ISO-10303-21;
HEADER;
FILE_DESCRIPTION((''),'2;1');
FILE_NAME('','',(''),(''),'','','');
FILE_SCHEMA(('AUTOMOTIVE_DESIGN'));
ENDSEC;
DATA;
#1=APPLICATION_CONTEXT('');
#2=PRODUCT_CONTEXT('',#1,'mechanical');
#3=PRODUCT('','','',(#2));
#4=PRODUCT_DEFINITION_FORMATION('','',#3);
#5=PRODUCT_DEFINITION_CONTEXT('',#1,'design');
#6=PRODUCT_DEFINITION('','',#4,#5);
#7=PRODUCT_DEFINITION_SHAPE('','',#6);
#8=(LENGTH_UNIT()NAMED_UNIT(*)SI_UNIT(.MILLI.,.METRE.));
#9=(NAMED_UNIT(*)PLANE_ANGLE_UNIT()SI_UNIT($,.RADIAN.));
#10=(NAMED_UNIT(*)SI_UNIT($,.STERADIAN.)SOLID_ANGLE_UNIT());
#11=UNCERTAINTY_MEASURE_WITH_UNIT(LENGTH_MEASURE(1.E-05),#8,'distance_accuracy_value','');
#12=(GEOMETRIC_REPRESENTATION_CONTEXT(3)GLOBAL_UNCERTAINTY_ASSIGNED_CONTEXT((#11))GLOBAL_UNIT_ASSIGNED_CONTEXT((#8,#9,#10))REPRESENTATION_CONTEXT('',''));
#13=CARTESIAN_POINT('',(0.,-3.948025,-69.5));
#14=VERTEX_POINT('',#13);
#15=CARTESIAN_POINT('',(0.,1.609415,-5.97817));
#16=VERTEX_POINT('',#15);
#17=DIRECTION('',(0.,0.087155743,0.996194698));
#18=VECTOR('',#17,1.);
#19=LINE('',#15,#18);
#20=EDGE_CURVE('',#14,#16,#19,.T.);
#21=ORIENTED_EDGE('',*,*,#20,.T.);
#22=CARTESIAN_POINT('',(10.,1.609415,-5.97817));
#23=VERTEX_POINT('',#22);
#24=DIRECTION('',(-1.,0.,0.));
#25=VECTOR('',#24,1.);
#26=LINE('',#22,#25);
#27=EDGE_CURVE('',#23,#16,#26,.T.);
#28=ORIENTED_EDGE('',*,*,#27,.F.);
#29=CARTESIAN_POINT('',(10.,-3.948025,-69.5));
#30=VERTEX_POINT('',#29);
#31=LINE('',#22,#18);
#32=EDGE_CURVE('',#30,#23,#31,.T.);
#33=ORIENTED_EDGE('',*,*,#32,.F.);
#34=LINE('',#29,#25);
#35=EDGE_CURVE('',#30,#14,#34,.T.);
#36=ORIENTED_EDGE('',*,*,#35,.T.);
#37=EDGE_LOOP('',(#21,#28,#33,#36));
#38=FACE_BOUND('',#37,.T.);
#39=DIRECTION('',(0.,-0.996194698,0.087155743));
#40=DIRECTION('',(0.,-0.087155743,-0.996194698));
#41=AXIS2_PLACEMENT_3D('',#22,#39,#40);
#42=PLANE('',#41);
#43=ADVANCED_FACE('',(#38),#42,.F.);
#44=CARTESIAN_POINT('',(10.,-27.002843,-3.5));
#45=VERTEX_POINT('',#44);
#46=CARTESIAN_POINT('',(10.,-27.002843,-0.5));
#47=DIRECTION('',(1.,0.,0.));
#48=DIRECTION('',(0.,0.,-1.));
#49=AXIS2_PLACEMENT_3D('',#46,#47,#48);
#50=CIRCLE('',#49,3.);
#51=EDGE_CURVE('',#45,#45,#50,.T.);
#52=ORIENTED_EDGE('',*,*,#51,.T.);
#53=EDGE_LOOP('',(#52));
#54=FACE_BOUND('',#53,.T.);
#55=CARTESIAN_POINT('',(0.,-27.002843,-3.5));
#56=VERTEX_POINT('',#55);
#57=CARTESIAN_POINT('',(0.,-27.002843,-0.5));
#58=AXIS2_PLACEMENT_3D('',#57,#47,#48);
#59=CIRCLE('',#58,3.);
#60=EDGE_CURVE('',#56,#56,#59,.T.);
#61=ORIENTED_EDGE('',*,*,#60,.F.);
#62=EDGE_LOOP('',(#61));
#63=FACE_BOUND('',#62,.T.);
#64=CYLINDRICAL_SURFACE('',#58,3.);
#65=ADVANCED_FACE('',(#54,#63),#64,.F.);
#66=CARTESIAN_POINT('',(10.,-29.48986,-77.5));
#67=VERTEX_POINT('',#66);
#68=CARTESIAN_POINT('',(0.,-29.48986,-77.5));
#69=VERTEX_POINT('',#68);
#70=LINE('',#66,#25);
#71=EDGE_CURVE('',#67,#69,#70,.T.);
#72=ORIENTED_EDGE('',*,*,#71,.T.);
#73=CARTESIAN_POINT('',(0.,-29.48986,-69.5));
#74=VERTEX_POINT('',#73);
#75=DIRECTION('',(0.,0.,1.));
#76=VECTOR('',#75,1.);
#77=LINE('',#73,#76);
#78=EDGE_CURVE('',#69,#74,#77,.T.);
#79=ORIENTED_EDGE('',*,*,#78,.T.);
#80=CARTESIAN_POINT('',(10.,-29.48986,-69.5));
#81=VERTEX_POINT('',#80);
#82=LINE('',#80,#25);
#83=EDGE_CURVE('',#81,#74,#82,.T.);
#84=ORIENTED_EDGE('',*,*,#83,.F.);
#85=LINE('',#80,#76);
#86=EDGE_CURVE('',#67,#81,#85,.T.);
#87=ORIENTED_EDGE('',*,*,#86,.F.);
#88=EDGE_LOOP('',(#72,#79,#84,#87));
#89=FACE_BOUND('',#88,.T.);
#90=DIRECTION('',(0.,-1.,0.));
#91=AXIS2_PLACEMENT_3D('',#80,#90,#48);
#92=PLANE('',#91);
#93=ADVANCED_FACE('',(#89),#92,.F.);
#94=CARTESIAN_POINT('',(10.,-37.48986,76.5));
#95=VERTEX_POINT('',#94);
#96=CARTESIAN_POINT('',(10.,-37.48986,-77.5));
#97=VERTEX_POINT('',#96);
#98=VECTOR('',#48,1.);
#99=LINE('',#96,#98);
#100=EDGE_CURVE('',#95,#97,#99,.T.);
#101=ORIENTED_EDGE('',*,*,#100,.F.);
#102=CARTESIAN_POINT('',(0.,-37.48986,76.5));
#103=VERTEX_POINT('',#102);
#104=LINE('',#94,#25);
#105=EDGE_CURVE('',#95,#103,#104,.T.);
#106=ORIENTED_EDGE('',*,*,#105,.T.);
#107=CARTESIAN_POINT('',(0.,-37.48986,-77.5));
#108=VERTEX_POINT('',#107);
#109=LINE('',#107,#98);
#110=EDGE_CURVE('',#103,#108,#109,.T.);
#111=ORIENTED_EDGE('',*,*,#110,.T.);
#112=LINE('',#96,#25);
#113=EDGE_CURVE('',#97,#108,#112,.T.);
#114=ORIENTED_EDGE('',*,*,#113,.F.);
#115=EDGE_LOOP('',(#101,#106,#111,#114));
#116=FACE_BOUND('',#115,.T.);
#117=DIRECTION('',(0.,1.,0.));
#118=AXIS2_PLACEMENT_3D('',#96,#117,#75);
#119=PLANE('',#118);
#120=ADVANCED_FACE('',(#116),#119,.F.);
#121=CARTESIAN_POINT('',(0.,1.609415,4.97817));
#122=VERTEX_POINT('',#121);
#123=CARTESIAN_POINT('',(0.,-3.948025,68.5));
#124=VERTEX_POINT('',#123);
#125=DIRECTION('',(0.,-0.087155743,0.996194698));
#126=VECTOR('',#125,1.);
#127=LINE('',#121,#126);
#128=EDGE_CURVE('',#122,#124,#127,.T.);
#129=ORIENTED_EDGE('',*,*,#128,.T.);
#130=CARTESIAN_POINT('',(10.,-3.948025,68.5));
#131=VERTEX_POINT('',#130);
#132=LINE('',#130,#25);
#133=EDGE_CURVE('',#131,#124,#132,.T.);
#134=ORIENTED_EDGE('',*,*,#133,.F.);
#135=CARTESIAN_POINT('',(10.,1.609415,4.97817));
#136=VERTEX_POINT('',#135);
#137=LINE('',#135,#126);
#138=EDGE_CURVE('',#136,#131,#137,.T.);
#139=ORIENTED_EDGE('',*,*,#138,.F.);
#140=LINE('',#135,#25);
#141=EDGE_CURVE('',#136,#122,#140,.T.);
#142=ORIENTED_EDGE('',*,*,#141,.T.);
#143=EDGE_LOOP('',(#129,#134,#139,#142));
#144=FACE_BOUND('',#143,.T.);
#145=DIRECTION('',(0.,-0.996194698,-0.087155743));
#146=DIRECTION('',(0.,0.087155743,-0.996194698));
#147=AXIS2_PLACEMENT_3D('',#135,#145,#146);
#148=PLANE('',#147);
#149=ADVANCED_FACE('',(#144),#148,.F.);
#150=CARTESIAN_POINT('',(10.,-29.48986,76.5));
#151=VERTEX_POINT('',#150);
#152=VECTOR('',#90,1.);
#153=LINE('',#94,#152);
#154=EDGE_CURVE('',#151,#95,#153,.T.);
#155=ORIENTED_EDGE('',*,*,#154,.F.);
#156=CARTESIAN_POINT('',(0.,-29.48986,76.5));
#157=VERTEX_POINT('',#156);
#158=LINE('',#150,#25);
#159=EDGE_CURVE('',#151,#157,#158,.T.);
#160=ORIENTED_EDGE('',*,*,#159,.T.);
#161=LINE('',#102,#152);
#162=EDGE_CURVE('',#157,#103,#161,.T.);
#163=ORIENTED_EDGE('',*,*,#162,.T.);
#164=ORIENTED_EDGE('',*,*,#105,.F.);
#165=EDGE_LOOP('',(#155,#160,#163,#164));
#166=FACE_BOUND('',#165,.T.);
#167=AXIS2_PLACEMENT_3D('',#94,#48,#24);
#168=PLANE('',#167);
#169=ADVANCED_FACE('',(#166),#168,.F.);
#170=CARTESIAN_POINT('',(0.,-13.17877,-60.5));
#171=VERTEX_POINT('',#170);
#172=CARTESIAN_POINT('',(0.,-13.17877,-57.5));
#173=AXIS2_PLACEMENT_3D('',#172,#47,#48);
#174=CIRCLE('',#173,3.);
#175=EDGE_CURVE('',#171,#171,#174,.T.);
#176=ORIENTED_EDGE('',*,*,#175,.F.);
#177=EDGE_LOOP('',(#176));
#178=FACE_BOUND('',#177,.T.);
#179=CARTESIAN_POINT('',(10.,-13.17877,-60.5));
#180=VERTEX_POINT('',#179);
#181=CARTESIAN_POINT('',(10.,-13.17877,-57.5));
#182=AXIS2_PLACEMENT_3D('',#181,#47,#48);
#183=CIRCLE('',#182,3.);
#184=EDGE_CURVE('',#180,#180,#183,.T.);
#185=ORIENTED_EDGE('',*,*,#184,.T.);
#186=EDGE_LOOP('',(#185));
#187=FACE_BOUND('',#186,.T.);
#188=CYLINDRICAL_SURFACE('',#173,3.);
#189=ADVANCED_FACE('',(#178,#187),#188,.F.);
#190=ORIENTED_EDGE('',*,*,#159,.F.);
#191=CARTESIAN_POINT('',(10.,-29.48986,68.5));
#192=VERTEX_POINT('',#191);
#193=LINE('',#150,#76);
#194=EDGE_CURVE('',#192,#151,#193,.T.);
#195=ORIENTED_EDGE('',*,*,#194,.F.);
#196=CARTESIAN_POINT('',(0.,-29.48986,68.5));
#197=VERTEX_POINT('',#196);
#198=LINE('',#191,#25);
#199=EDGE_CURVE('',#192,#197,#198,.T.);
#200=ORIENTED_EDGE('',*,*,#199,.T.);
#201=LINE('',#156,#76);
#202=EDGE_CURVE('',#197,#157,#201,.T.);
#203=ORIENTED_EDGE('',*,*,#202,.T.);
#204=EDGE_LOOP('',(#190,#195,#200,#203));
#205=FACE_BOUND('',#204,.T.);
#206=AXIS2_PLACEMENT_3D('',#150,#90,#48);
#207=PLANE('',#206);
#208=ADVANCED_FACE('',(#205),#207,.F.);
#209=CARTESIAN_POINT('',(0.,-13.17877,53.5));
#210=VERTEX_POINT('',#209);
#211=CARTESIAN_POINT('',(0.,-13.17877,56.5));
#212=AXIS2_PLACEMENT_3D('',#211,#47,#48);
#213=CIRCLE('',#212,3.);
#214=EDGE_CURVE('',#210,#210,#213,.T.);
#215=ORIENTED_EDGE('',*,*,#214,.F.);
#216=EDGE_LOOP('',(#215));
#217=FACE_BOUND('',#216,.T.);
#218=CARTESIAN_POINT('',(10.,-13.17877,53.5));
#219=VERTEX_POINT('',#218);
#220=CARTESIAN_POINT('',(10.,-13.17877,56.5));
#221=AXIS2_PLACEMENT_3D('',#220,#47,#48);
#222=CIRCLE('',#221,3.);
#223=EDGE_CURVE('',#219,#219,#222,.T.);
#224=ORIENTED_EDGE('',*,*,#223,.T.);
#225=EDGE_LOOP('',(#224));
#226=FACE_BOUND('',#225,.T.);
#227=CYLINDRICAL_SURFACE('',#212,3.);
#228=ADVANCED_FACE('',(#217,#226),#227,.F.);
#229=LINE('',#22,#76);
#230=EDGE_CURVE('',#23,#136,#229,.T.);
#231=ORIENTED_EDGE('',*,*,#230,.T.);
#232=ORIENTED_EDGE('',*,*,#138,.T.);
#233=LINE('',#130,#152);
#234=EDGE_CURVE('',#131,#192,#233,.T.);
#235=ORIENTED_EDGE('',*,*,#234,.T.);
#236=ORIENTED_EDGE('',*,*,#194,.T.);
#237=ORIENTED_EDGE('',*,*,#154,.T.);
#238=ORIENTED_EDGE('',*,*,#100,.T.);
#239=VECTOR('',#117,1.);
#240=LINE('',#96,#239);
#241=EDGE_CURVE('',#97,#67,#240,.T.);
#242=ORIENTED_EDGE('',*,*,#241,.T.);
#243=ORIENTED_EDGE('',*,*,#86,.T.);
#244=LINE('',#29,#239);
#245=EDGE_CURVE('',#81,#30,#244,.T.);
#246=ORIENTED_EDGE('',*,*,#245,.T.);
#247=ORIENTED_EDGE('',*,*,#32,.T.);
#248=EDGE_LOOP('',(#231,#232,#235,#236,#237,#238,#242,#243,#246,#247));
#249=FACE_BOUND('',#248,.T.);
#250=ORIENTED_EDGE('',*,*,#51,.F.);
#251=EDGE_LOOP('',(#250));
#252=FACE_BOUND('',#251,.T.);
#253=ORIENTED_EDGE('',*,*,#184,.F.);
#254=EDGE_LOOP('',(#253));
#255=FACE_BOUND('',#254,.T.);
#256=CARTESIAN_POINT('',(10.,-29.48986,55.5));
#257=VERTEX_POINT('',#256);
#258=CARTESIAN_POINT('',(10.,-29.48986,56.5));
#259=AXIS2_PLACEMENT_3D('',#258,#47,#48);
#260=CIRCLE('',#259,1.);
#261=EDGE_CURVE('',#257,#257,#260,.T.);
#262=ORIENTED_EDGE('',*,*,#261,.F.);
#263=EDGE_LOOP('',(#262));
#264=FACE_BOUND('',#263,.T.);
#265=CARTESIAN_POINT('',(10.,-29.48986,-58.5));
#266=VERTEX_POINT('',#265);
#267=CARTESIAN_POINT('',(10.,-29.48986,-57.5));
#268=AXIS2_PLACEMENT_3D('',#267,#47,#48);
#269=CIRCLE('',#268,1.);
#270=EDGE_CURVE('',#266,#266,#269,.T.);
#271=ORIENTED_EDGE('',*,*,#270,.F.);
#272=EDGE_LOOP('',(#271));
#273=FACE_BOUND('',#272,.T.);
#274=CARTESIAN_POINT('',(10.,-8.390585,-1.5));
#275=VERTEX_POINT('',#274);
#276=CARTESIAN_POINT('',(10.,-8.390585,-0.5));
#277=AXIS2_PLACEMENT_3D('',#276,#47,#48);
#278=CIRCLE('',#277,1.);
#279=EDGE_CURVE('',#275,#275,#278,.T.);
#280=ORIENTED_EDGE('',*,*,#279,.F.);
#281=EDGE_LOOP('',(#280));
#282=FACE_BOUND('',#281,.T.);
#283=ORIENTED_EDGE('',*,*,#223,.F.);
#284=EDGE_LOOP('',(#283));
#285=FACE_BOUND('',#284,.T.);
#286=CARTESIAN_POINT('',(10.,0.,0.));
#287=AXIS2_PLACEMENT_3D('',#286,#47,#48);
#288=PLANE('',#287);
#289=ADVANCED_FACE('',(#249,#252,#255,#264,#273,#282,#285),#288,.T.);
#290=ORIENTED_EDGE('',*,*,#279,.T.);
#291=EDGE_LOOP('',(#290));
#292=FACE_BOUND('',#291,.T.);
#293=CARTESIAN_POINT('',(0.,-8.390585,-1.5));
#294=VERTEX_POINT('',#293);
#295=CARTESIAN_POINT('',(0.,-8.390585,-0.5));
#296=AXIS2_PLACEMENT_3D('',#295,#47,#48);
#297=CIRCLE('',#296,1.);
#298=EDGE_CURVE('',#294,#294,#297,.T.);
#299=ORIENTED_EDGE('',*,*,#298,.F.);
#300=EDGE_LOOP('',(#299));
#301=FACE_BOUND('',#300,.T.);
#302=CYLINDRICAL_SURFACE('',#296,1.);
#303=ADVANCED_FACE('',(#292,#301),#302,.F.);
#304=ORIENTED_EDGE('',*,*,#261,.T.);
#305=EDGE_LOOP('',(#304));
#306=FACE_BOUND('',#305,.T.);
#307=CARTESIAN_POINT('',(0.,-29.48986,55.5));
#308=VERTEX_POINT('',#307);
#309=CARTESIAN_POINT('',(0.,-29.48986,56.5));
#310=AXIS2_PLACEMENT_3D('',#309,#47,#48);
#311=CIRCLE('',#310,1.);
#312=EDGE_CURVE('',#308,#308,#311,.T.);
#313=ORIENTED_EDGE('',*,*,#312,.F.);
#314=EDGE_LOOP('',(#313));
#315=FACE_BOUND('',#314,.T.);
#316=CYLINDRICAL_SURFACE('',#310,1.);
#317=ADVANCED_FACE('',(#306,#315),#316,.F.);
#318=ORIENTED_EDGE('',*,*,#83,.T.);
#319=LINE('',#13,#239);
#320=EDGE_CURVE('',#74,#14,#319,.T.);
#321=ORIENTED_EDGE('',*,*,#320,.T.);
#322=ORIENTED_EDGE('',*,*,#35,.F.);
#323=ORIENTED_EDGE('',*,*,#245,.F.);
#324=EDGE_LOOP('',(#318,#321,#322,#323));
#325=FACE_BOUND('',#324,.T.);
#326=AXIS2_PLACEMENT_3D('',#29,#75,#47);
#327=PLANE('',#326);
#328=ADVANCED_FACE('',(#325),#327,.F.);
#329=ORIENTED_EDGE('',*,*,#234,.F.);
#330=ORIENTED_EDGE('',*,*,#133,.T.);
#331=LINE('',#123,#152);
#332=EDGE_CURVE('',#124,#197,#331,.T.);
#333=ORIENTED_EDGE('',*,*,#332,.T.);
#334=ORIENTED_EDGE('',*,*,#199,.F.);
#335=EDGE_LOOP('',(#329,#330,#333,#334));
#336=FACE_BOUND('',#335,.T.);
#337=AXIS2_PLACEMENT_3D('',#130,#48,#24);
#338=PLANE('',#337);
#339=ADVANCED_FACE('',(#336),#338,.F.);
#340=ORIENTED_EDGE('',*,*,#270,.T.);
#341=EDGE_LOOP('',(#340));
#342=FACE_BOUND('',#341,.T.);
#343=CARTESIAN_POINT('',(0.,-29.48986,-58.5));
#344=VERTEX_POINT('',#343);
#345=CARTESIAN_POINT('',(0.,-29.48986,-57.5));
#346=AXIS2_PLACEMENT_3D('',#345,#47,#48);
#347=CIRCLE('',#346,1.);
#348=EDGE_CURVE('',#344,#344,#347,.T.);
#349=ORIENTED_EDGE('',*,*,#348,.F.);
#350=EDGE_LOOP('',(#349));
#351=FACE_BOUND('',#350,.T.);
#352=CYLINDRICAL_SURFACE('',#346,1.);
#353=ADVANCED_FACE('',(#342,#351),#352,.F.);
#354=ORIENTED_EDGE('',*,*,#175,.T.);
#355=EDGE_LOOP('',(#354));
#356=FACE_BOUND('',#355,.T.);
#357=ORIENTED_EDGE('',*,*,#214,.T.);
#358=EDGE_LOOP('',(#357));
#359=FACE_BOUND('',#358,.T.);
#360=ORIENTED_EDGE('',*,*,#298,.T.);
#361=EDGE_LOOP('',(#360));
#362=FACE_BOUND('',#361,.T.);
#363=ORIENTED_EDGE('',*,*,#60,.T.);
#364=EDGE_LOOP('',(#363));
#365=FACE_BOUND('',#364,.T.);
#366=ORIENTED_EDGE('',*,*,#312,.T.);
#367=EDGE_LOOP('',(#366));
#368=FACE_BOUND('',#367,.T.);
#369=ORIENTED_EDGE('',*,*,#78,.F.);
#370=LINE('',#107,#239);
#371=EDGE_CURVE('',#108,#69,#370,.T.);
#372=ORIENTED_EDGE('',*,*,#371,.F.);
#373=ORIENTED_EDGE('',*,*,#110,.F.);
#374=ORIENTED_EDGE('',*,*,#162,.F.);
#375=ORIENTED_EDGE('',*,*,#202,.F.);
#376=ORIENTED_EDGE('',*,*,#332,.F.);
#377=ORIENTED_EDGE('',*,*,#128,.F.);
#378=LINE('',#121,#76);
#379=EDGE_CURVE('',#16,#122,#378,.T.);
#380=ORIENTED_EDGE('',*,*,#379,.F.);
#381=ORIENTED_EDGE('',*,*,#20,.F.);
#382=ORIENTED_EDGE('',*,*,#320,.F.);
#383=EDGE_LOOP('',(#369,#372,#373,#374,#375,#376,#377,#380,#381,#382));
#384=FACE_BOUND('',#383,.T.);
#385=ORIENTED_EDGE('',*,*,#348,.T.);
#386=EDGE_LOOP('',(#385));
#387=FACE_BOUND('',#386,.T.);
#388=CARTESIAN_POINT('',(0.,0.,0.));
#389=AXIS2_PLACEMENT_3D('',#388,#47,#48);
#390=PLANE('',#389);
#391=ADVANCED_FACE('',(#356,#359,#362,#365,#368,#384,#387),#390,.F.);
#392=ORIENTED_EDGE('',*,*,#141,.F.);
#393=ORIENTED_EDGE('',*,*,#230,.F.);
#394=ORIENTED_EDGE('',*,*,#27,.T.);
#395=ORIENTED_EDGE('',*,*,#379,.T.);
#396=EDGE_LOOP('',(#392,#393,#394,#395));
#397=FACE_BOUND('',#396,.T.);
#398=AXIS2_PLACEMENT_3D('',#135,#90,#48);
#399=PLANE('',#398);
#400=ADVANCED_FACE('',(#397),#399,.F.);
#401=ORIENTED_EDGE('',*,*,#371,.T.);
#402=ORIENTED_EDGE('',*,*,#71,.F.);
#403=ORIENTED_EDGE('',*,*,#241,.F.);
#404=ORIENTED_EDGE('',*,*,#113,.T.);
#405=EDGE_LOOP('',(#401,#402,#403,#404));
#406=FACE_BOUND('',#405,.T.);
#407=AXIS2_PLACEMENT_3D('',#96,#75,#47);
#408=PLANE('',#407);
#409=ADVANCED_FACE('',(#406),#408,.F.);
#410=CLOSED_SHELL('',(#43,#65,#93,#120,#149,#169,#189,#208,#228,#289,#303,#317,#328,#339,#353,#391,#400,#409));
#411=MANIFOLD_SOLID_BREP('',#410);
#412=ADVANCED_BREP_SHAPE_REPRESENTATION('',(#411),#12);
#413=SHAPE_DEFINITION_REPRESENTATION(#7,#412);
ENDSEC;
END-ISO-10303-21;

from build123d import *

# Parameters (mm, degrees)
RESSALTO_EXTRUS_O2_DEPTH = 10
ESBO_O3_R                = 1
ESBO_O3_R_2              = 3
CORTE_EXTRUS_O1_DEPTH    = 87.670292346


with BuildPart() as part:
    # Esboço2 → Ressalto-extrusão2 (new body)
    with BuildSketch(Plane(origin=(0, 0, 0), x_dir=(0, 0, -1), z_dir=(1, 0, 0))):
        Polygon((69.5, -29.489859634), (77.5, -29.489859634), (77.5, -37.489859634), (-76.5, -37.489859634), (-76.5, -29.489859634), (-68.5, -29.489859634), (-68.5, -3.948025217), (-4.978169529, 1.609414836), (0, 1.609414836), (5.978169529, 1.609414836), (69.5, -3.948025217), align=None)
    extrude(amount=RESSALTO_EXTRUS_O2_DEPTH)

    # Esboço3 → Corte-extrusão1 (cut, through all)
    with BuildSketch(Plane(origin=(10, 0, 0), x_dir=(0, 0, -1), z_dir=(1, 0, 0))):
        with Locations((0.5, -8.390585169)):
            Circle(ESBO_O3_R)
        with Locations((0.5, -27.002843355)):
            Circle(ESBO_O3_R_2)
        with Locations((57.5, -13.178770401)):
            Circle(ESBO_O3_R_2)
        with Locations((57.5, -29.489859634)):
            Circle(ESBO_O3_R)
        with Locations((-56.5, -13.178770401)):
            Circle(ESBO_O3_R_2)
        with Locations((-56.5, -29.489859634)):
            Circle(ESBO_O3_R)
    extrude(amount=-CORTE_EXTRUS_O1_DEPTH, mode=Mode.SUBTRACT)


solid = part.part
